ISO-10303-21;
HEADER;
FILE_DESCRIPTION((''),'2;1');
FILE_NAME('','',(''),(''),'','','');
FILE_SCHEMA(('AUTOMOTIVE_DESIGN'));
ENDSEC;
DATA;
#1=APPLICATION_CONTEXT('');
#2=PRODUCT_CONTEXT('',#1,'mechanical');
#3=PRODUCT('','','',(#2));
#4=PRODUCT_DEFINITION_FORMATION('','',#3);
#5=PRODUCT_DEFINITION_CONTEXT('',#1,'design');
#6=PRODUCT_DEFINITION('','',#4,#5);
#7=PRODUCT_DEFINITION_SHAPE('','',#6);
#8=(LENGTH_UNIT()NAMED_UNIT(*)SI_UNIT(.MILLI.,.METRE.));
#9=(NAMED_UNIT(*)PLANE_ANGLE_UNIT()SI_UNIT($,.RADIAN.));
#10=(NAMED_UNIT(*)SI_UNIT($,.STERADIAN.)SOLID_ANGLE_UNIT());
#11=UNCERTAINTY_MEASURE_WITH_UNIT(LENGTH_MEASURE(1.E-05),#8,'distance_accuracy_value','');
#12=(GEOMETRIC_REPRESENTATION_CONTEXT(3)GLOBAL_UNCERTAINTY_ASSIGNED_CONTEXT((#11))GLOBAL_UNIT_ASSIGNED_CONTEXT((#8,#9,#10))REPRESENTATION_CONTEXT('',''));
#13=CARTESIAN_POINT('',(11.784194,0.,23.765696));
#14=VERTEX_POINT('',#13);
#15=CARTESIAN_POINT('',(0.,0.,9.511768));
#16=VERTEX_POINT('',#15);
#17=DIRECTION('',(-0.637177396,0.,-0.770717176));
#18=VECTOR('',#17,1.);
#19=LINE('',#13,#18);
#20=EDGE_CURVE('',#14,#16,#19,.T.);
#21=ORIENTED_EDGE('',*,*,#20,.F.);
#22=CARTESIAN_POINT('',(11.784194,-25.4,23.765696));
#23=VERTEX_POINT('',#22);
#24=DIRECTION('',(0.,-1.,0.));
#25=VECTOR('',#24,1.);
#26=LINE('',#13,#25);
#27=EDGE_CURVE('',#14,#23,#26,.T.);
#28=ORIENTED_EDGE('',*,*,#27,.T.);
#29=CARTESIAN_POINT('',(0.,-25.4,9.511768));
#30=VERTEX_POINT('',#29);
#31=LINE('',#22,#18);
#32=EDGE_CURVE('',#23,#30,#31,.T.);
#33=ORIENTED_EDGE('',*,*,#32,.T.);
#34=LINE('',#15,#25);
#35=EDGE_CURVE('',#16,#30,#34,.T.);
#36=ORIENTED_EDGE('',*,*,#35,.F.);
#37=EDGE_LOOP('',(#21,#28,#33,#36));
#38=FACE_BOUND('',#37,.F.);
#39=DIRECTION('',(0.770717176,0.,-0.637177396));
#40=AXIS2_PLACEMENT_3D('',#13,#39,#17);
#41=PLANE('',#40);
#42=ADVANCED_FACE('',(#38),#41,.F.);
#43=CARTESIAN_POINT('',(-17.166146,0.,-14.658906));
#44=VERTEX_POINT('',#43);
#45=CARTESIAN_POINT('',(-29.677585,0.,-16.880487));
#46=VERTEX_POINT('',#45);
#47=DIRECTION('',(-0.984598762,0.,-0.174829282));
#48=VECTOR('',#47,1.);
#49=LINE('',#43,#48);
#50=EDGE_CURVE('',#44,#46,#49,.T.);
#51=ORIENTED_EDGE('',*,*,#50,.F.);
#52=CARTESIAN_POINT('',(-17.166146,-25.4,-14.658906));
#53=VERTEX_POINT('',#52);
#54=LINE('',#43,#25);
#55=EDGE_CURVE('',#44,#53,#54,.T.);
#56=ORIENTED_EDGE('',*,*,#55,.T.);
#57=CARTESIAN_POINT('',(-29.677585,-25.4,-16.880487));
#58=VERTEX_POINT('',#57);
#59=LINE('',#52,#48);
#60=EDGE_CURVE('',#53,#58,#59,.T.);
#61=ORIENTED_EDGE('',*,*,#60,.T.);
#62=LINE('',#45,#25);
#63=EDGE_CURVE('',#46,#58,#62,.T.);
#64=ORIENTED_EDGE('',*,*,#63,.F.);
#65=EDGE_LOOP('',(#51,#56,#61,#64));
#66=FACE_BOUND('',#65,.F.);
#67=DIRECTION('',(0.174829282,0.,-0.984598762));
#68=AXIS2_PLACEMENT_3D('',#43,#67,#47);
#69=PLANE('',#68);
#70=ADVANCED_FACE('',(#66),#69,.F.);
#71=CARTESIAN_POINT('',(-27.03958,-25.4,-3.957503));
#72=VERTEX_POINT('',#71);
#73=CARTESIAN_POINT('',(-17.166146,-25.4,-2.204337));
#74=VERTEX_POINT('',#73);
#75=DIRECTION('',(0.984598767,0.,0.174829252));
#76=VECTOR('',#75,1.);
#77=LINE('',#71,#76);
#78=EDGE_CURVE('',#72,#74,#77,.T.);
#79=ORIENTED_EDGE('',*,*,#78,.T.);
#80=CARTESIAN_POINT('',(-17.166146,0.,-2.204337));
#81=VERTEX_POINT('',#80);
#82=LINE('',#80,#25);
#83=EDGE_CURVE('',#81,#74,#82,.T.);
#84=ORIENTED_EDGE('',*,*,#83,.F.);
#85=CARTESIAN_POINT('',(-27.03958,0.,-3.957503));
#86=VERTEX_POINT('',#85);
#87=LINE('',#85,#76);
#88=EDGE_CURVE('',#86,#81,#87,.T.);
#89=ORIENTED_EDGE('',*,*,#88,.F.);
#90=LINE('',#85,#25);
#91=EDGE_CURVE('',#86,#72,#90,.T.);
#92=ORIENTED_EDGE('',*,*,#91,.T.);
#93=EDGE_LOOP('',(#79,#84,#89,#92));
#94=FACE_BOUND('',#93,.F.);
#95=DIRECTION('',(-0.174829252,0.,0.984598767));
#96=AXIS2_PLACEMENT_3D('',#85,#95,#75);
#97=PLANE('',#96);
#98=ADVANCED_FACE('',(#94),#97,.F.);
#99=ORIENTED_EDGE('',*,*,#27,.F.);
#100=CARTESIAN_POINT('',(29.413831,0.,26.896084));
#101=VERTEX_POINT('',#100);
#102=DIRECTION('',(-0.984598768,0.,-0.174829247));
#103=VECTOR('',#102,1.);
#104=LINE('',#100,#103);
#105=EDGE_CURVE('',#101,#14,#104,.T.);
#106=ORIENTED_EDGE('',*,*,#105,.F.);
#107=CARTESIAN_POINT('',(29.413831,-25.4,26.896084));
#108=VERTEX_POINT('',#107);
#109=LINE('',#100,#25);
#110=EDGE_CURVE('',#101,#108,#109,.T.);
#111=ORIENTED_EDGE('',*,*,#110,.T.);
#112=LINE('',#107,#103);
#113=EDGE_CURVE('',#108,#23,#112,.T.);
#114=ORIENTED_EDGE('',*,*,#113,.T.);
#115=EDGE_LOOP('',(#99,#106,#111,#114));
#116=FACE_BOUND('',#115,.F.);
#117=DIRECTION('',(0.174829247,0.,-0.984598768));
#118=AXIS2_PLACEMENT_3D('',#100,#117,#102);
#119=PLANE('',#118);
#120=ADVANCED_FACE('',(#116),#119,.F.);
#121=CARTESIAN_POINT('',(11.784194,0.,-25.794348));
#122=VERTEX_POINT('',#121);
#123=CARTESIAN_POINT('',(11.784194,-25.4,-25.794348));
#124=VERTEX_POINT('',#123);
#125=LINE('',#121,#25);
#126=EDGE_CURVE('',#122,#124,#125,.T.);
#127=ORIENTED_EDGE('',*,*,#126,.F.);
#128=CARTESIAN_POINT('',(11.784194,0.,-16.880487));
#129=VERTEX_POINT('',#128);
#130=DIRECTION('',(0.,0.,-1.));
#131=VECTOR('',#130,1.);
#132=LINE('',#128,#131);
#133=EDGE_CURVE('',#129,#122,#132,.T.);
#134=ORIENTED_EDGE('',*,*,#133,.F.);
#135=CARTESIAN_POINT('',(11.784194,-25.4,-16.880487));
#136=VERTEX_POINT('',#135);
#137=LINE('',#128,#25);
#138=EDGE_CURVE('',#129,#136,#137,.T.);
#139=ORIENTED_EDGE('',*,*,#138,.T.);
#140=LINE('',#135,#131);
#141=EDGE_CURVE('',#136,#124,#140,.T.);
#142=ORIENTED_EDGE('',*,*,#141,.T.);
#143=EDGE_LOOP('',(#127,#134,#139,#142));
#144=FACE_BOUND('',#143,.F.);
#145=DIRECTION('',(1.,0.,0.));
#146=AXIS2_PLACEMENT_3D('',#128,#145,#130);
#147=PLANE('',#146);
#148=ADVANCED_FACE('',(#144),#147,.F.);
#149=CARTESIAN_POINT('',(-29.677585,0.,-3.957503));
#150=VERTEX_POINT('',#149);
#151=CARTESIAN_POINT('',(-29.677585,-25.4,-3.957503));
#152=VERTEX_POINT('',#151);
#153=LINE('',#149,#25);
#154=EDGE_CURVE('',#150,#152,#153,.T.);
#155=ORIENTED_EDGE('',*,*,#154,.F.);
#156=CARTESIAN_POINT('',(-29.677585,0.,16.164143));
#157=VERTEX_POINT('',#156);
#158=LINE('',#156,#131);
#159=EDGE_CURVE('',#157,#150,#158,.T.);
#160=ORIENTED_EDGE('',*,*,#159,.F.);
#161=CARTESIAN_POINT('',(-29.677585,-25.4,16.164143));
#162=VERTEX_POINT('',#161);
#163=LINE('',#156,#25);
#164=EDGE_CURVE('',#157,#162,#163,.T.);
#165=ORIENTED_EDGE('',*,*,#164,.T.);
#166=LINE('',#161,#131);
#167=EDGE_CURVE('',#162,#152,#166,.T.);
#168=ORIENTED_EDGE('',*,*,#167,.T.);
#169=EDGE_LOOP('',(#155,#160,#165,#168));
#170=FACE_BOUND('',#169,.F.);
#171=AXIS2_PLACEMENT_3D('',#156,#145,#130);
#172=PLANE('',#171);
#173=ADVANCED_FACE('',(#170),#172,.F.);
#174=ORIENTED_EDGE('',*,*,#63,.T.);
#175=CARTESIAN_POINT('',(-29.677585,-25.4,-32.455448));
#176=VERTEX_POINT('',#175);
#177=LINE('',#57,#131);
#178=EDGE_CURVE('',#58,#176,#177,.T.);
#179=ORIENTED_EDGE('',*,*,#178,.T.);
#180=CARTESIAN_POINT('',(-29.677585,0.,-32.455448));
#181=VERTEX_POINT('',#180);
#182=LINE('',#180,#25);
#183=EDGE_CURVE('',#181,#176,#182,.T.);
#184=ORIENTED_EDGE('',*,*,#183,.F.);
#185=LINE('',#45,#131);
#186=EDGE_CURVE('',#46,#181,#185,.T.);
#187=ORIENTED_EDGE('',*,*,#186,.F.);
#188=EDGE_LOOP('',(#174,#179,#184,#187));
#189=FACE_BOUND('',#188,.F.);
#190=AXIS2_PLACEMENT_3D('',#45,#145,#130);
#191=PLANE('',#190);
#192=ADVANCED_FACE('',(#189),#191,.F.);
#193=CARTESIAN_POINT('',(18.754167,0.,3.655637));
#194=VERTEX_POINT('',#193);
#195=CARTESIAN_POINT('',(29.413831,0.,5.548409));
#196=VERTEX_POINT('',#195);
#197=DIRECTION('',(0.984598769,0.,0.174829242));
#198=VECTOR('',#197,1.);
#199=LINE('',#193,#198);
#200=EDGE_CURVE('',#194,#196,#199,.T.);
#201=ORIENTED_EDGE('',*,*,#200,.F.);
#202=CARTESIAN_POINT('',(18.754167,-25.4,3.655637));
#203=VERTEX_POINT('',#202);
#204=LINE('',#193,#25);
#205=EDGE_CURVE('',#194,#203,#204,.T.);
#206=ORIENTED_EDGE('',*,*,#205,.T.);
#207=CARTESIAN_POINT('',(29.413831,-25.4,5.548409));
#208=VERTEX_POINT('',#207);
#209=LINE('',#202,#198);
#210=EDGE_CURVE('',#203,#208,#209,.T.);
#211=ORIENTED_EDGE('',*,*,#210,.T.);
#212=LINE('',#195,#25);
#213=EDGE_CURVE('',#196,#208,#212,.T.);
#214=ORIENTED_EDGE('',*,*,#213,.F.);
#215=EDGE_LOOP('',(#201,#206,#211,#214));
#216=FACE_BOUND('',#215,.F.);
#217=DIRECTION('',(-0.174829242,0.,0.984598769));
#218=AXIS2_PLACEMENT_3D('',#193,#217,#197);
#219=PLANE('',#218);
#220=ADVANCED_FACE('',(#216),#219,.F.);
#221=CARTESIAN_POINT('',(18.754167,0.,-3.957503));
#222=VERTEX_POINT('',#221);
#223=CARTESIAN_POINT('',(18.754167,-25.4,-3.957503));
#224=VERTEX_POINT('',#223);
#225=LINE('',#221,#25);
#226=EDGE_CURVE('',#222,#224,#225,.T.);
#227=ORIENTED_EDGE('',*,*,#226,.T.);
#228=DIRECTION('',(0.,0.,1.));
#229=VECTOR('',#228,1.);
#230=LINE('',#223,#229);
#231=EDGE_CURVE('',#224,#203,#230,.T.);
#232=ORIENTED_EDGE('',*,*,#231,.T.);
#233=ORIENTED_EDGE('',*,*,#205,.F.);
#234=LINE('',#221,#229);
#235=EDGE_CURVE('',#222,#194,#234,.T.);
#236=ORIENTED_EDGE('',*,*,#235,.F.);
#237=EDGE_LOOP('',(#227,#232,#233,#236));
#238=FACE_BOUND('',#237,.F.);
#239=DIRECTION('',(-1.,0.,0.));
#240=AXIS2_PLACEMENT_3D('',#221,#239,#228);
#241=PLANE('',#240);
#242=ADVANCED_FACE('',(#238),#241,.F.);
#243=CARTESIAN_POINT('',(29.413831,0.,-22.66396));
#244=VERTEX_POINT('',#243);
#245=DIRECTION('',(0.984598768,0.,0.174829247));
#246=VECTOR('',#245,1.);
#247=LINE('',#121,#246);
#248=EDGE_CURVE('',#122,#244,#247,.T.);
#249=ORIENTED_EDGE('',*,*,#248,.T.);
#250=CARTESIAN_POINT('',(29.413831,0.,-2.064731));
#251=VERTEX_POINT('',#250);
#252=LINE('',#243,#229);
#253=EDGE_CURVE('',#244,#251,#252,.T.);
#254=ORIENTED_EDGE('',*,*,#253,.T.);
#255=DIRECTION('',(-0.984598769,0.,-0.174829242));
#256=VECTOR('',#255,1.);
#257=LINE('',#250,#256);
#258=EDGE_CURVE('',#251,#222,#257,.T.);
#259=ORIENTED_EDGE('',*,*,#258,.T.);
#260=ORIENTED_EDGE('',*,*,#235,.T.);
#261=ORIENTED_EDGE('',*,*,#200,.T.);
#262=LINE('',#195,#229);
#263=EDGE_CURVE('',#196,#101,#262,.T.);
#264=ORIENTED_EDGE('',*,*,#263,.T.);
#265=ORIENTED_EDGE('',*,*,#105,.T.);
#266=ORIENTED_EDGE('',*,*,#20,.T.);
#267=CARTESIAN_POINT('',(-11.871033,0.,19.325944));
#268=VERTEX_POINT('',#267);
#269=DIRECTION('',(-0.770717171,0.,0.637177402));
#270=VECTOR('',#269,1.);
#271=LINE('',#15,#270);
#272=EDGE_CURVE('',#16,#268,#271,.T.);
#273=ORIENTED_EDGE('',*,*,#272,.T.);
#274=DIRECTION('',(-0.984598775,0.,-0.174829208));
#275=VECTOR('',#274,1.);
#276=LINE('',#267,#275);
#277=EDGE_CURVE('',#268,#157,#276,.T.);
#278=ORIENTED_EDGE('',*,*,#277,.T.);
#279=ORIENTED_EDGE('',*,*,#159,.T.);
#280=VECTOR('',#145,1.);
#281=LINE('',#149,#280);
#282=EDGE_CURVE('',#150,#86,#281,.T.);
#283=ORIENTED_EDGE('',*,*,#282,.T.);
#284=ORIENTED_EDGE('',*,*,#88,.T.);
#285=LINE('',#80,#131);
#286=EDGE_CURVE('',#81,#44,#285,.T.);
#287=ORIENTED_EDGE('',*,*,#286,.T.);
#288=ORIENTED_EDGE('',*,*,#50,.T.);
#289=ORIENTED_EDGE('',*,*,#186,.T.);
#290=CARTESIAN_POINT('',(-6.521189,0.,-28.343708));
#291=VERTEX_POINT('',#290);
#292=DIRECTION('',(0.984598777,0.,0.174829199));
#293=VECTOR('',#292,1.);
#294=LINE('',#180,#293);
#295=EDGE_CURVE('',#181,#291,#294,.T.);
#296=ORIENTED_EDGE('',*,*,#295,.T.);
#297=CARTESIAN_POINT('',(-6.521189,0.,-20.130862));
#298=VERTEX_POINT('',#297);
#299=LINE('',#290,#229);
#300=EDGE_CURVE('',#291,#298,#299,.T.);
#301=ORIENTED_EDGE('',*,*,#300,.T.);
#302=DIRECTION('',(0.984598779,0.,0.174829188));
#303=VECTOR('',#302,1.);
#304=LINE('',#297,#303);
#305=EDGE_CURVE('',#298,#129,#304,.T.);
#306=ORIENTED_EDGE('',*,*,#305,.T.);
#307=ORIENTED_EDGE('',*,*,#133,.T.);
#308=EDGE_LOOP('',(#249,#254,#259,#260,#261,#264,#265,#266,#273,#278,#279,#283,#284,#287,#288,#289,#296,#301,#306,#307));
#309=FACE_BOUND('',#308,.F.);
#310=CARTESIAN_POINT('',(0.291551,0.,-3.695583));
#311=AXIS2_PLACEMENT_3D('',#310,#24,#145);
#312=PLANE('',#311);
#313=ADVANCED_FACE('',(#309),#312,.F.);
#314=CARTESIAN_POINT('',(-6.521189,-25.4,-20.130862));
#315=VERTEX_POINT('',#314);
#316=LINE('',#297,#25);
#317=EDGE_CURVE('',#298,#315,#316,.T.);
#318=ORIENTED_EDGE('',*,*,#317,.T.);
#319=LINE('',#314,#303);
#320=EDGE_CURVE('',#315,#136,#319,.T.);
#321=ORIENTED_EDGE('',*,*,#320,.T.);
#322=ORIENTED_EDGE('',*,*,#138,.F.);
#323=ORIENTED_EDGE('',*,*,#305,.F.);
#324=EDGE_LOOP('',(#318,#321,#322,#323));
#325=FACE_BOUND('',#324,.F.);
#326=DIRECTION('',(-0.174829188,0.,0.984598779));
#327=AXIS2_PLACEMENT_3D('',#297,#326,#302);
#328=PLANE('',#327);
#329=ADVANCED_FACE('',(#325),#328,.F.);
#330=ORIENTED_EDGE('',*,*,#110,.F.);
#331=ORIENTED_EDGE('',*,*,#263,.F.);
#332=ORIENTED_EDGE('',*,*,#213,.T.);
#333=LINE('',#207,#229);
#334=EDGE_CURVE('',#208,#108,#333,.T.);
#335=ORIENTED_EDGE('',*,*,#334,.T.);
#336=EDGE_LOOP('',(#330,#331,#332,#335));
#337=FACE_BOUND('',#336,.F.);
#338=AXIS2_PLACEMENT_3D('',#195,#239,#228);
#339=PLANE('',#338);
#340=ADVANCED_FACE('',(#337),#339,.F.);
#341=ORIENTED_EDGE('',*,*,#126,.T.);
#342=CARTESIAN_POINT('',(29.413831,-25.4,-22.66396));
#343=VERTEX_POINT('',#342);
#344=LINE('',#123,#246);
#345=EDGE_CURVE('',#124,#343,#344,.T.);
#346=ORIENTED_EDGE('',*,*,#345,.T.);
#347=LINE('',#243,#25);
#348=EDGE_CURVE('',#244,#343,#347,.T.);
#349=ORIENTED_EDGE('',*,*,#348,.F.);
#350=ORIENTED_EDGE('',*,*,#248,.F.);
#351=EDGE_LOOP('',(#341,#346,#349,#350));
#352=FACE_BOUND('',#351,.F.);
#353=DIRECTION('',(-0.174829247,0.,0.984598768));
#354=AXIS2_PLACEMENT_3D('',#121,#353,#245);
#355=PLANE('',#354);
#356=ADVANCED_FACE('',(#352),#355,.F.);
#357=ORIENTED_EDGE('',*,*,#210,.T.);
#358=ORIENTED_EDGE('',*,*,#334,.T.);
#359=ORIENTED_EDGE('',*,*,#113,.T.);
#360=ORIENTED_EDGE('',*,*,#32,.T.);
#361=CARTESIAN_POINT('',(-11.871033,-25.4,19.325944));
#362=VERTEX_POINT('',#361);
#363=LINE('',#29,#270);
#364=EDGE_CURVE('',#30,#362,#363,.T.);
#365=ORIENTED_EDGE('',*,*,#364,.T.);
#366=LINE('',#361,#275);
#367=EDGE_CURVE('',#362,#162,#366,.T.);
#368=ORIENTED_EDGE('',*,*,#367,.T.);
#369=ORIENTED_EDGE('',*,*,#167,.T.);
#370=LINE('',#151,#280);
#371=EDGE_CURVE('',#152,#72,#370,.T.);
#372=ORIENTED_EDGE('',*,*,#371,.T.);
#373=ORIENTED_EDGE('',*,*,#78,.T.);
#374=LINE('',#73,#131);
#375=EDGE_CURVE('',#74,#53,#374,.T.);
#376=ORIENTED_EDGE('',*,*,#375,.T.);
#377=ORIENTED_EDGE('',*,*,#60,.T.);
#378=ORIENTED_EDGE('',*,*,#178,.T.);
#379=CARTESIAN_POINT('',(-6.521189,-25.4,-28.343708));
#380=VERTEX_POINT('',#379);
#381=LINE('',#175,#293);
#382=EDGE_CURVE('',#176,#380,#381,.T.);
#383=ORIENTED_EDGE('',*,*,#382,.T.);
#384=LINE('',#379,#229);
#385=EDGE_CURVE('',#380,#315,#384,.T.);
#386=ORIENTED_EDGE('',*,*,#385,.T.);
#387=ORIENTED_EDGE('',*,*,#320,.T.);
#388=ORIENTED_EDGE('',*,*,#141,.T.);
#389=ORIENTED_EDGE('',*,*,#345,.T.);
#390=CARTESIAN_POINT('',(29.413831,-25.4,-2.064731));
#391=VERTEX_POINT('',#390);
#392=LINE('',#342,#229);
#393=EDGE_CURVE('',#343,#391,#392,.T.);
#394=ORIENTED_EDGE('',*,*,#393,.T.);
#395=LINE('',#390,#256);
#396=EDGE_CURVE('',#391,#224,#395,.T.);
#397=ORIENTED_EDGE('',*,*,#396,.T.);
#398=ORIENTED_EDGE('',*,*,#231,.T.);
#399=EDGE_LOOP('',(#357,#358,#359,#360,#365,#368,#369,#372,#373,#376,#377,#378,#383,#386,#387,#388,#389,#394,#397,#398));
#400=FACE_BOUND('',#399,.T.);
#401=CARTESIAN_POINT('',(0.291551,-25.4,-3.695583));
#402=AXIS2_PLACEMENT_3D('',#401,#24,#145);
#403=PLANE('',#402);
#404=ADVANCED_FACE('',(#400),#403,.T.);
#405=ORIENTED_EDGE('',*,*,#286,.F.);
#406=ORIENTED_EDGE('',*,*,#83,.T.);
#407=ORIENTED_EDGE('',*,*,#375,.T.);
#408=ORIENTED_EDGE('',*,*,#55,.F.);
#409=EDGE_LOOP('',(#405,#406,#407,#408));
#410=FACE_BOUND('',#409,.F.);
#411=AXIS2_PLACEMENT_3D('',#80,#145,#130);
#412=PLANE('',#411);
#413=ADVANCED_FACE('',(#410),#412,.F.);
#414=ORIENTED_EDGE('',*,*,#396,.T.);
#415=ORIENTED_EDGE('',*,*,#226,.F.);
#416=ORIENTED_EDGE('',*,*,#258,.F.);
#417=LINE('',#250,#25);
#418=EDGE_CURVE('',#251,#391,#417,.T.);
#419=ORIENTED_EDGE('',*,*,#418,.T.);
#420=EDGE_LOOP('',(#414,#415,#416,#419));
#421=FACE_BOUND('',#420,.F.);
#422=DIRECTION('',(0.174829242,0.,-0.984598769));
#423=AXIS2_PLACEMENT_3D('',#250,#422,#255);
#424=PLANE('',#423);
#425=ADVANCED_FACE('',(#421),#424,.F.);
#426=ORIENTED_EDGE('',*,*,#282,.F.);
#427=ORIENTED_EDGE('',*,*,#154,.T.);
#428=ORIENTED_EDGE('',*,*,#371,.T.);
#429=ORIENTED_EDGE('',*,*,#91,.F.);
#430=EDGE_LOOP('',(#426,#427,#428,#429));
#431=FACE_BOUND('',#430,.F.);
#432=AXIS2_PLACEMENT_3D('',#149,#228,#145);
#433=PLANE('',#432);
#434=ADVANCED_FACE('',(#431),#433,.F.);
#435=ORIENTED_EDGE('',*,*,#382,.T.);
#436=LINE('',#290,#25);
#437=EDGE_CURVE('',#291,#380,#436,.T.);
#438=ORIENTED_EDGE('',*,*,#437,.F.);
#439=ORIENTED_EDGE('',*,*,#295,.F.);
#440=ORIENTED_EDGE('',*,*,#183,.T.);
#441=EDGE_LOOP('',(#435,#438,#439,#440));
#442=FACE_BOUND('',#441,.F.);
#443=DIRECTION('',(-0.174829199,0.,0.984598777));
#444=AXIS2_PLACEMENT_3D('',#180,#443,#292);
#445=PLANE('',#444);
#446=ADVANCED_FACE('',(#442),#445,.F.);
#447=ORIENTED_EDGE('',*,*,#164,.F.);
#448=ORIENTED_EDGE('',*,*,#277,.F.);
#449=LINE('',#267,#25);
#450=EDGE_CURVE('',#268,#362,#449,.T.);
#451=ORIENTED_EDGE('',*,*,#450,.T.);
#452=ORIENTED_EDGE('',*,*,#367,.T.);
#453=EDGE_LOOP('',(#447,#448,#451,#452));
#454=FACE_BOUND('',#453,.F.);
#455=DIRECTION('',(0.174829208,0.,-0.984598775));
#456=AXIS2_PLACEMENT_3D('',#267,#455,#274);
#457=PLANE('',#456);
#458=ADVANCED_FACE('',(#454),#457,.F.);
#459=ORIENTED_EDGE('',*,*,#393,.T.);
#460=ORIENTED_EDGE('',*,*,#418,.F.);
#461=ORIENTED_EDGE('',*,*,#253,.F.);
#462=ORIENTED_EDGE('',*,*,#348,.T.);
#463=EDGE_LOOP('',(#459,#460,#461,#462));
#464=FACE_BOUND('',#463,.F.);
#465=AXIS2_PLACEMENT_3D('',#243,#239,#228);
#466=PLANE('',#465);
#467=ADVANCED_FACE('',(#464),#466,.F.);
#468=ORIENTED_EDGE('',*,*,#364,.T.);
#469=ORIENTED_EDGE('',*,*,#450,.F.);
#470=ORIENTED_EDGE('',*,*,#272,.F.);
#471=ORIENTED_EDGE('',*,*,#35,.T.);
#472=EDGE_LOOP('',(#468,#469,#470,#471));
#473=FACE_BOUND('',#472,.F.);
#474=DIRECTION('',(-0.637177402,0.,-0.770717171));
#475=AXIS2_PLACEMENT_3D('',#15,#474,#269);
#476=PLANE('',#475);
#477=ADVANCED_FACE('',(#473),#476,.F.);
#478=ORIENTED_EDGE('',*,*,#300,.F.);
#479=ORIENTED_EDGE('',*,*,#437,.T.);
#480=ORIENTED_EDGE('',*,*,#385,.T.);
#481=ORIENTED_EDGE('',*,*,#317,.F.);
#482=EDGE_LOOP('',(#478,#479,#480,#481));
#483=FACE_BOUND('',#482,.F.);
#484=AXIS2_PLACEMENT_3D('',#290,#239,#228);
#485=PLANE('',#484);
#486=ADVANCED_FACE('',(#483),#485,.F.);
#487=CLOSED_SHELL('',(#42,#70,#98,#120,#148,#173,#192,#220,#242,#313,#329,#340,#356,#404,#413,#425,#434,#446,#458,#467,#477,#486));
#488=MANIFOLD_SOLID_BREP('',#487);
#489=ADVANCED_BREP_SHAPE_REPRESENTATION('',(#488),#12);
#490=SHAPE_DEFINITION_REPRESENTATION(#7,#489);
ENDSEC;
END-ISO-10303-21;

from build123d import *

# Parameters (mm, degrees)
F1_DEPTH = 25.4


with BuildPart() as f1:
    # F0 (on Front) → F1 (new body)
    with BuildSketch(Plane.XZ):
        Polygon((-11.871033, 19.325944), (-29.677585, 16.164143), (-29.677585, -3.957503), (-27.03958, -3.957503), (-17.166146, -2.204337), (-17.166146, -14.658906), (-29.677585, -16.880487), (-29.677585, -32.455448), (-6.521189, -28.343708), (-6.521189, -20.130862), (11.784194, -16.880487), (11.784194, -25.794348), (29.413831, -22.66396), (29.413831, -16.880487), (29.413831, -2.064731), (18.754167, -3.957503), (18.754167, 3.655637), (29.413831, 5.548409), (29.413831, 19.325944), (29.413831, 23.765696), (29.413831, 26.896084), (11.784194, 23.765696), (0, 9.511768), align=None)
    extrude(amount=F1_DEPTH)


solid = f1.part
